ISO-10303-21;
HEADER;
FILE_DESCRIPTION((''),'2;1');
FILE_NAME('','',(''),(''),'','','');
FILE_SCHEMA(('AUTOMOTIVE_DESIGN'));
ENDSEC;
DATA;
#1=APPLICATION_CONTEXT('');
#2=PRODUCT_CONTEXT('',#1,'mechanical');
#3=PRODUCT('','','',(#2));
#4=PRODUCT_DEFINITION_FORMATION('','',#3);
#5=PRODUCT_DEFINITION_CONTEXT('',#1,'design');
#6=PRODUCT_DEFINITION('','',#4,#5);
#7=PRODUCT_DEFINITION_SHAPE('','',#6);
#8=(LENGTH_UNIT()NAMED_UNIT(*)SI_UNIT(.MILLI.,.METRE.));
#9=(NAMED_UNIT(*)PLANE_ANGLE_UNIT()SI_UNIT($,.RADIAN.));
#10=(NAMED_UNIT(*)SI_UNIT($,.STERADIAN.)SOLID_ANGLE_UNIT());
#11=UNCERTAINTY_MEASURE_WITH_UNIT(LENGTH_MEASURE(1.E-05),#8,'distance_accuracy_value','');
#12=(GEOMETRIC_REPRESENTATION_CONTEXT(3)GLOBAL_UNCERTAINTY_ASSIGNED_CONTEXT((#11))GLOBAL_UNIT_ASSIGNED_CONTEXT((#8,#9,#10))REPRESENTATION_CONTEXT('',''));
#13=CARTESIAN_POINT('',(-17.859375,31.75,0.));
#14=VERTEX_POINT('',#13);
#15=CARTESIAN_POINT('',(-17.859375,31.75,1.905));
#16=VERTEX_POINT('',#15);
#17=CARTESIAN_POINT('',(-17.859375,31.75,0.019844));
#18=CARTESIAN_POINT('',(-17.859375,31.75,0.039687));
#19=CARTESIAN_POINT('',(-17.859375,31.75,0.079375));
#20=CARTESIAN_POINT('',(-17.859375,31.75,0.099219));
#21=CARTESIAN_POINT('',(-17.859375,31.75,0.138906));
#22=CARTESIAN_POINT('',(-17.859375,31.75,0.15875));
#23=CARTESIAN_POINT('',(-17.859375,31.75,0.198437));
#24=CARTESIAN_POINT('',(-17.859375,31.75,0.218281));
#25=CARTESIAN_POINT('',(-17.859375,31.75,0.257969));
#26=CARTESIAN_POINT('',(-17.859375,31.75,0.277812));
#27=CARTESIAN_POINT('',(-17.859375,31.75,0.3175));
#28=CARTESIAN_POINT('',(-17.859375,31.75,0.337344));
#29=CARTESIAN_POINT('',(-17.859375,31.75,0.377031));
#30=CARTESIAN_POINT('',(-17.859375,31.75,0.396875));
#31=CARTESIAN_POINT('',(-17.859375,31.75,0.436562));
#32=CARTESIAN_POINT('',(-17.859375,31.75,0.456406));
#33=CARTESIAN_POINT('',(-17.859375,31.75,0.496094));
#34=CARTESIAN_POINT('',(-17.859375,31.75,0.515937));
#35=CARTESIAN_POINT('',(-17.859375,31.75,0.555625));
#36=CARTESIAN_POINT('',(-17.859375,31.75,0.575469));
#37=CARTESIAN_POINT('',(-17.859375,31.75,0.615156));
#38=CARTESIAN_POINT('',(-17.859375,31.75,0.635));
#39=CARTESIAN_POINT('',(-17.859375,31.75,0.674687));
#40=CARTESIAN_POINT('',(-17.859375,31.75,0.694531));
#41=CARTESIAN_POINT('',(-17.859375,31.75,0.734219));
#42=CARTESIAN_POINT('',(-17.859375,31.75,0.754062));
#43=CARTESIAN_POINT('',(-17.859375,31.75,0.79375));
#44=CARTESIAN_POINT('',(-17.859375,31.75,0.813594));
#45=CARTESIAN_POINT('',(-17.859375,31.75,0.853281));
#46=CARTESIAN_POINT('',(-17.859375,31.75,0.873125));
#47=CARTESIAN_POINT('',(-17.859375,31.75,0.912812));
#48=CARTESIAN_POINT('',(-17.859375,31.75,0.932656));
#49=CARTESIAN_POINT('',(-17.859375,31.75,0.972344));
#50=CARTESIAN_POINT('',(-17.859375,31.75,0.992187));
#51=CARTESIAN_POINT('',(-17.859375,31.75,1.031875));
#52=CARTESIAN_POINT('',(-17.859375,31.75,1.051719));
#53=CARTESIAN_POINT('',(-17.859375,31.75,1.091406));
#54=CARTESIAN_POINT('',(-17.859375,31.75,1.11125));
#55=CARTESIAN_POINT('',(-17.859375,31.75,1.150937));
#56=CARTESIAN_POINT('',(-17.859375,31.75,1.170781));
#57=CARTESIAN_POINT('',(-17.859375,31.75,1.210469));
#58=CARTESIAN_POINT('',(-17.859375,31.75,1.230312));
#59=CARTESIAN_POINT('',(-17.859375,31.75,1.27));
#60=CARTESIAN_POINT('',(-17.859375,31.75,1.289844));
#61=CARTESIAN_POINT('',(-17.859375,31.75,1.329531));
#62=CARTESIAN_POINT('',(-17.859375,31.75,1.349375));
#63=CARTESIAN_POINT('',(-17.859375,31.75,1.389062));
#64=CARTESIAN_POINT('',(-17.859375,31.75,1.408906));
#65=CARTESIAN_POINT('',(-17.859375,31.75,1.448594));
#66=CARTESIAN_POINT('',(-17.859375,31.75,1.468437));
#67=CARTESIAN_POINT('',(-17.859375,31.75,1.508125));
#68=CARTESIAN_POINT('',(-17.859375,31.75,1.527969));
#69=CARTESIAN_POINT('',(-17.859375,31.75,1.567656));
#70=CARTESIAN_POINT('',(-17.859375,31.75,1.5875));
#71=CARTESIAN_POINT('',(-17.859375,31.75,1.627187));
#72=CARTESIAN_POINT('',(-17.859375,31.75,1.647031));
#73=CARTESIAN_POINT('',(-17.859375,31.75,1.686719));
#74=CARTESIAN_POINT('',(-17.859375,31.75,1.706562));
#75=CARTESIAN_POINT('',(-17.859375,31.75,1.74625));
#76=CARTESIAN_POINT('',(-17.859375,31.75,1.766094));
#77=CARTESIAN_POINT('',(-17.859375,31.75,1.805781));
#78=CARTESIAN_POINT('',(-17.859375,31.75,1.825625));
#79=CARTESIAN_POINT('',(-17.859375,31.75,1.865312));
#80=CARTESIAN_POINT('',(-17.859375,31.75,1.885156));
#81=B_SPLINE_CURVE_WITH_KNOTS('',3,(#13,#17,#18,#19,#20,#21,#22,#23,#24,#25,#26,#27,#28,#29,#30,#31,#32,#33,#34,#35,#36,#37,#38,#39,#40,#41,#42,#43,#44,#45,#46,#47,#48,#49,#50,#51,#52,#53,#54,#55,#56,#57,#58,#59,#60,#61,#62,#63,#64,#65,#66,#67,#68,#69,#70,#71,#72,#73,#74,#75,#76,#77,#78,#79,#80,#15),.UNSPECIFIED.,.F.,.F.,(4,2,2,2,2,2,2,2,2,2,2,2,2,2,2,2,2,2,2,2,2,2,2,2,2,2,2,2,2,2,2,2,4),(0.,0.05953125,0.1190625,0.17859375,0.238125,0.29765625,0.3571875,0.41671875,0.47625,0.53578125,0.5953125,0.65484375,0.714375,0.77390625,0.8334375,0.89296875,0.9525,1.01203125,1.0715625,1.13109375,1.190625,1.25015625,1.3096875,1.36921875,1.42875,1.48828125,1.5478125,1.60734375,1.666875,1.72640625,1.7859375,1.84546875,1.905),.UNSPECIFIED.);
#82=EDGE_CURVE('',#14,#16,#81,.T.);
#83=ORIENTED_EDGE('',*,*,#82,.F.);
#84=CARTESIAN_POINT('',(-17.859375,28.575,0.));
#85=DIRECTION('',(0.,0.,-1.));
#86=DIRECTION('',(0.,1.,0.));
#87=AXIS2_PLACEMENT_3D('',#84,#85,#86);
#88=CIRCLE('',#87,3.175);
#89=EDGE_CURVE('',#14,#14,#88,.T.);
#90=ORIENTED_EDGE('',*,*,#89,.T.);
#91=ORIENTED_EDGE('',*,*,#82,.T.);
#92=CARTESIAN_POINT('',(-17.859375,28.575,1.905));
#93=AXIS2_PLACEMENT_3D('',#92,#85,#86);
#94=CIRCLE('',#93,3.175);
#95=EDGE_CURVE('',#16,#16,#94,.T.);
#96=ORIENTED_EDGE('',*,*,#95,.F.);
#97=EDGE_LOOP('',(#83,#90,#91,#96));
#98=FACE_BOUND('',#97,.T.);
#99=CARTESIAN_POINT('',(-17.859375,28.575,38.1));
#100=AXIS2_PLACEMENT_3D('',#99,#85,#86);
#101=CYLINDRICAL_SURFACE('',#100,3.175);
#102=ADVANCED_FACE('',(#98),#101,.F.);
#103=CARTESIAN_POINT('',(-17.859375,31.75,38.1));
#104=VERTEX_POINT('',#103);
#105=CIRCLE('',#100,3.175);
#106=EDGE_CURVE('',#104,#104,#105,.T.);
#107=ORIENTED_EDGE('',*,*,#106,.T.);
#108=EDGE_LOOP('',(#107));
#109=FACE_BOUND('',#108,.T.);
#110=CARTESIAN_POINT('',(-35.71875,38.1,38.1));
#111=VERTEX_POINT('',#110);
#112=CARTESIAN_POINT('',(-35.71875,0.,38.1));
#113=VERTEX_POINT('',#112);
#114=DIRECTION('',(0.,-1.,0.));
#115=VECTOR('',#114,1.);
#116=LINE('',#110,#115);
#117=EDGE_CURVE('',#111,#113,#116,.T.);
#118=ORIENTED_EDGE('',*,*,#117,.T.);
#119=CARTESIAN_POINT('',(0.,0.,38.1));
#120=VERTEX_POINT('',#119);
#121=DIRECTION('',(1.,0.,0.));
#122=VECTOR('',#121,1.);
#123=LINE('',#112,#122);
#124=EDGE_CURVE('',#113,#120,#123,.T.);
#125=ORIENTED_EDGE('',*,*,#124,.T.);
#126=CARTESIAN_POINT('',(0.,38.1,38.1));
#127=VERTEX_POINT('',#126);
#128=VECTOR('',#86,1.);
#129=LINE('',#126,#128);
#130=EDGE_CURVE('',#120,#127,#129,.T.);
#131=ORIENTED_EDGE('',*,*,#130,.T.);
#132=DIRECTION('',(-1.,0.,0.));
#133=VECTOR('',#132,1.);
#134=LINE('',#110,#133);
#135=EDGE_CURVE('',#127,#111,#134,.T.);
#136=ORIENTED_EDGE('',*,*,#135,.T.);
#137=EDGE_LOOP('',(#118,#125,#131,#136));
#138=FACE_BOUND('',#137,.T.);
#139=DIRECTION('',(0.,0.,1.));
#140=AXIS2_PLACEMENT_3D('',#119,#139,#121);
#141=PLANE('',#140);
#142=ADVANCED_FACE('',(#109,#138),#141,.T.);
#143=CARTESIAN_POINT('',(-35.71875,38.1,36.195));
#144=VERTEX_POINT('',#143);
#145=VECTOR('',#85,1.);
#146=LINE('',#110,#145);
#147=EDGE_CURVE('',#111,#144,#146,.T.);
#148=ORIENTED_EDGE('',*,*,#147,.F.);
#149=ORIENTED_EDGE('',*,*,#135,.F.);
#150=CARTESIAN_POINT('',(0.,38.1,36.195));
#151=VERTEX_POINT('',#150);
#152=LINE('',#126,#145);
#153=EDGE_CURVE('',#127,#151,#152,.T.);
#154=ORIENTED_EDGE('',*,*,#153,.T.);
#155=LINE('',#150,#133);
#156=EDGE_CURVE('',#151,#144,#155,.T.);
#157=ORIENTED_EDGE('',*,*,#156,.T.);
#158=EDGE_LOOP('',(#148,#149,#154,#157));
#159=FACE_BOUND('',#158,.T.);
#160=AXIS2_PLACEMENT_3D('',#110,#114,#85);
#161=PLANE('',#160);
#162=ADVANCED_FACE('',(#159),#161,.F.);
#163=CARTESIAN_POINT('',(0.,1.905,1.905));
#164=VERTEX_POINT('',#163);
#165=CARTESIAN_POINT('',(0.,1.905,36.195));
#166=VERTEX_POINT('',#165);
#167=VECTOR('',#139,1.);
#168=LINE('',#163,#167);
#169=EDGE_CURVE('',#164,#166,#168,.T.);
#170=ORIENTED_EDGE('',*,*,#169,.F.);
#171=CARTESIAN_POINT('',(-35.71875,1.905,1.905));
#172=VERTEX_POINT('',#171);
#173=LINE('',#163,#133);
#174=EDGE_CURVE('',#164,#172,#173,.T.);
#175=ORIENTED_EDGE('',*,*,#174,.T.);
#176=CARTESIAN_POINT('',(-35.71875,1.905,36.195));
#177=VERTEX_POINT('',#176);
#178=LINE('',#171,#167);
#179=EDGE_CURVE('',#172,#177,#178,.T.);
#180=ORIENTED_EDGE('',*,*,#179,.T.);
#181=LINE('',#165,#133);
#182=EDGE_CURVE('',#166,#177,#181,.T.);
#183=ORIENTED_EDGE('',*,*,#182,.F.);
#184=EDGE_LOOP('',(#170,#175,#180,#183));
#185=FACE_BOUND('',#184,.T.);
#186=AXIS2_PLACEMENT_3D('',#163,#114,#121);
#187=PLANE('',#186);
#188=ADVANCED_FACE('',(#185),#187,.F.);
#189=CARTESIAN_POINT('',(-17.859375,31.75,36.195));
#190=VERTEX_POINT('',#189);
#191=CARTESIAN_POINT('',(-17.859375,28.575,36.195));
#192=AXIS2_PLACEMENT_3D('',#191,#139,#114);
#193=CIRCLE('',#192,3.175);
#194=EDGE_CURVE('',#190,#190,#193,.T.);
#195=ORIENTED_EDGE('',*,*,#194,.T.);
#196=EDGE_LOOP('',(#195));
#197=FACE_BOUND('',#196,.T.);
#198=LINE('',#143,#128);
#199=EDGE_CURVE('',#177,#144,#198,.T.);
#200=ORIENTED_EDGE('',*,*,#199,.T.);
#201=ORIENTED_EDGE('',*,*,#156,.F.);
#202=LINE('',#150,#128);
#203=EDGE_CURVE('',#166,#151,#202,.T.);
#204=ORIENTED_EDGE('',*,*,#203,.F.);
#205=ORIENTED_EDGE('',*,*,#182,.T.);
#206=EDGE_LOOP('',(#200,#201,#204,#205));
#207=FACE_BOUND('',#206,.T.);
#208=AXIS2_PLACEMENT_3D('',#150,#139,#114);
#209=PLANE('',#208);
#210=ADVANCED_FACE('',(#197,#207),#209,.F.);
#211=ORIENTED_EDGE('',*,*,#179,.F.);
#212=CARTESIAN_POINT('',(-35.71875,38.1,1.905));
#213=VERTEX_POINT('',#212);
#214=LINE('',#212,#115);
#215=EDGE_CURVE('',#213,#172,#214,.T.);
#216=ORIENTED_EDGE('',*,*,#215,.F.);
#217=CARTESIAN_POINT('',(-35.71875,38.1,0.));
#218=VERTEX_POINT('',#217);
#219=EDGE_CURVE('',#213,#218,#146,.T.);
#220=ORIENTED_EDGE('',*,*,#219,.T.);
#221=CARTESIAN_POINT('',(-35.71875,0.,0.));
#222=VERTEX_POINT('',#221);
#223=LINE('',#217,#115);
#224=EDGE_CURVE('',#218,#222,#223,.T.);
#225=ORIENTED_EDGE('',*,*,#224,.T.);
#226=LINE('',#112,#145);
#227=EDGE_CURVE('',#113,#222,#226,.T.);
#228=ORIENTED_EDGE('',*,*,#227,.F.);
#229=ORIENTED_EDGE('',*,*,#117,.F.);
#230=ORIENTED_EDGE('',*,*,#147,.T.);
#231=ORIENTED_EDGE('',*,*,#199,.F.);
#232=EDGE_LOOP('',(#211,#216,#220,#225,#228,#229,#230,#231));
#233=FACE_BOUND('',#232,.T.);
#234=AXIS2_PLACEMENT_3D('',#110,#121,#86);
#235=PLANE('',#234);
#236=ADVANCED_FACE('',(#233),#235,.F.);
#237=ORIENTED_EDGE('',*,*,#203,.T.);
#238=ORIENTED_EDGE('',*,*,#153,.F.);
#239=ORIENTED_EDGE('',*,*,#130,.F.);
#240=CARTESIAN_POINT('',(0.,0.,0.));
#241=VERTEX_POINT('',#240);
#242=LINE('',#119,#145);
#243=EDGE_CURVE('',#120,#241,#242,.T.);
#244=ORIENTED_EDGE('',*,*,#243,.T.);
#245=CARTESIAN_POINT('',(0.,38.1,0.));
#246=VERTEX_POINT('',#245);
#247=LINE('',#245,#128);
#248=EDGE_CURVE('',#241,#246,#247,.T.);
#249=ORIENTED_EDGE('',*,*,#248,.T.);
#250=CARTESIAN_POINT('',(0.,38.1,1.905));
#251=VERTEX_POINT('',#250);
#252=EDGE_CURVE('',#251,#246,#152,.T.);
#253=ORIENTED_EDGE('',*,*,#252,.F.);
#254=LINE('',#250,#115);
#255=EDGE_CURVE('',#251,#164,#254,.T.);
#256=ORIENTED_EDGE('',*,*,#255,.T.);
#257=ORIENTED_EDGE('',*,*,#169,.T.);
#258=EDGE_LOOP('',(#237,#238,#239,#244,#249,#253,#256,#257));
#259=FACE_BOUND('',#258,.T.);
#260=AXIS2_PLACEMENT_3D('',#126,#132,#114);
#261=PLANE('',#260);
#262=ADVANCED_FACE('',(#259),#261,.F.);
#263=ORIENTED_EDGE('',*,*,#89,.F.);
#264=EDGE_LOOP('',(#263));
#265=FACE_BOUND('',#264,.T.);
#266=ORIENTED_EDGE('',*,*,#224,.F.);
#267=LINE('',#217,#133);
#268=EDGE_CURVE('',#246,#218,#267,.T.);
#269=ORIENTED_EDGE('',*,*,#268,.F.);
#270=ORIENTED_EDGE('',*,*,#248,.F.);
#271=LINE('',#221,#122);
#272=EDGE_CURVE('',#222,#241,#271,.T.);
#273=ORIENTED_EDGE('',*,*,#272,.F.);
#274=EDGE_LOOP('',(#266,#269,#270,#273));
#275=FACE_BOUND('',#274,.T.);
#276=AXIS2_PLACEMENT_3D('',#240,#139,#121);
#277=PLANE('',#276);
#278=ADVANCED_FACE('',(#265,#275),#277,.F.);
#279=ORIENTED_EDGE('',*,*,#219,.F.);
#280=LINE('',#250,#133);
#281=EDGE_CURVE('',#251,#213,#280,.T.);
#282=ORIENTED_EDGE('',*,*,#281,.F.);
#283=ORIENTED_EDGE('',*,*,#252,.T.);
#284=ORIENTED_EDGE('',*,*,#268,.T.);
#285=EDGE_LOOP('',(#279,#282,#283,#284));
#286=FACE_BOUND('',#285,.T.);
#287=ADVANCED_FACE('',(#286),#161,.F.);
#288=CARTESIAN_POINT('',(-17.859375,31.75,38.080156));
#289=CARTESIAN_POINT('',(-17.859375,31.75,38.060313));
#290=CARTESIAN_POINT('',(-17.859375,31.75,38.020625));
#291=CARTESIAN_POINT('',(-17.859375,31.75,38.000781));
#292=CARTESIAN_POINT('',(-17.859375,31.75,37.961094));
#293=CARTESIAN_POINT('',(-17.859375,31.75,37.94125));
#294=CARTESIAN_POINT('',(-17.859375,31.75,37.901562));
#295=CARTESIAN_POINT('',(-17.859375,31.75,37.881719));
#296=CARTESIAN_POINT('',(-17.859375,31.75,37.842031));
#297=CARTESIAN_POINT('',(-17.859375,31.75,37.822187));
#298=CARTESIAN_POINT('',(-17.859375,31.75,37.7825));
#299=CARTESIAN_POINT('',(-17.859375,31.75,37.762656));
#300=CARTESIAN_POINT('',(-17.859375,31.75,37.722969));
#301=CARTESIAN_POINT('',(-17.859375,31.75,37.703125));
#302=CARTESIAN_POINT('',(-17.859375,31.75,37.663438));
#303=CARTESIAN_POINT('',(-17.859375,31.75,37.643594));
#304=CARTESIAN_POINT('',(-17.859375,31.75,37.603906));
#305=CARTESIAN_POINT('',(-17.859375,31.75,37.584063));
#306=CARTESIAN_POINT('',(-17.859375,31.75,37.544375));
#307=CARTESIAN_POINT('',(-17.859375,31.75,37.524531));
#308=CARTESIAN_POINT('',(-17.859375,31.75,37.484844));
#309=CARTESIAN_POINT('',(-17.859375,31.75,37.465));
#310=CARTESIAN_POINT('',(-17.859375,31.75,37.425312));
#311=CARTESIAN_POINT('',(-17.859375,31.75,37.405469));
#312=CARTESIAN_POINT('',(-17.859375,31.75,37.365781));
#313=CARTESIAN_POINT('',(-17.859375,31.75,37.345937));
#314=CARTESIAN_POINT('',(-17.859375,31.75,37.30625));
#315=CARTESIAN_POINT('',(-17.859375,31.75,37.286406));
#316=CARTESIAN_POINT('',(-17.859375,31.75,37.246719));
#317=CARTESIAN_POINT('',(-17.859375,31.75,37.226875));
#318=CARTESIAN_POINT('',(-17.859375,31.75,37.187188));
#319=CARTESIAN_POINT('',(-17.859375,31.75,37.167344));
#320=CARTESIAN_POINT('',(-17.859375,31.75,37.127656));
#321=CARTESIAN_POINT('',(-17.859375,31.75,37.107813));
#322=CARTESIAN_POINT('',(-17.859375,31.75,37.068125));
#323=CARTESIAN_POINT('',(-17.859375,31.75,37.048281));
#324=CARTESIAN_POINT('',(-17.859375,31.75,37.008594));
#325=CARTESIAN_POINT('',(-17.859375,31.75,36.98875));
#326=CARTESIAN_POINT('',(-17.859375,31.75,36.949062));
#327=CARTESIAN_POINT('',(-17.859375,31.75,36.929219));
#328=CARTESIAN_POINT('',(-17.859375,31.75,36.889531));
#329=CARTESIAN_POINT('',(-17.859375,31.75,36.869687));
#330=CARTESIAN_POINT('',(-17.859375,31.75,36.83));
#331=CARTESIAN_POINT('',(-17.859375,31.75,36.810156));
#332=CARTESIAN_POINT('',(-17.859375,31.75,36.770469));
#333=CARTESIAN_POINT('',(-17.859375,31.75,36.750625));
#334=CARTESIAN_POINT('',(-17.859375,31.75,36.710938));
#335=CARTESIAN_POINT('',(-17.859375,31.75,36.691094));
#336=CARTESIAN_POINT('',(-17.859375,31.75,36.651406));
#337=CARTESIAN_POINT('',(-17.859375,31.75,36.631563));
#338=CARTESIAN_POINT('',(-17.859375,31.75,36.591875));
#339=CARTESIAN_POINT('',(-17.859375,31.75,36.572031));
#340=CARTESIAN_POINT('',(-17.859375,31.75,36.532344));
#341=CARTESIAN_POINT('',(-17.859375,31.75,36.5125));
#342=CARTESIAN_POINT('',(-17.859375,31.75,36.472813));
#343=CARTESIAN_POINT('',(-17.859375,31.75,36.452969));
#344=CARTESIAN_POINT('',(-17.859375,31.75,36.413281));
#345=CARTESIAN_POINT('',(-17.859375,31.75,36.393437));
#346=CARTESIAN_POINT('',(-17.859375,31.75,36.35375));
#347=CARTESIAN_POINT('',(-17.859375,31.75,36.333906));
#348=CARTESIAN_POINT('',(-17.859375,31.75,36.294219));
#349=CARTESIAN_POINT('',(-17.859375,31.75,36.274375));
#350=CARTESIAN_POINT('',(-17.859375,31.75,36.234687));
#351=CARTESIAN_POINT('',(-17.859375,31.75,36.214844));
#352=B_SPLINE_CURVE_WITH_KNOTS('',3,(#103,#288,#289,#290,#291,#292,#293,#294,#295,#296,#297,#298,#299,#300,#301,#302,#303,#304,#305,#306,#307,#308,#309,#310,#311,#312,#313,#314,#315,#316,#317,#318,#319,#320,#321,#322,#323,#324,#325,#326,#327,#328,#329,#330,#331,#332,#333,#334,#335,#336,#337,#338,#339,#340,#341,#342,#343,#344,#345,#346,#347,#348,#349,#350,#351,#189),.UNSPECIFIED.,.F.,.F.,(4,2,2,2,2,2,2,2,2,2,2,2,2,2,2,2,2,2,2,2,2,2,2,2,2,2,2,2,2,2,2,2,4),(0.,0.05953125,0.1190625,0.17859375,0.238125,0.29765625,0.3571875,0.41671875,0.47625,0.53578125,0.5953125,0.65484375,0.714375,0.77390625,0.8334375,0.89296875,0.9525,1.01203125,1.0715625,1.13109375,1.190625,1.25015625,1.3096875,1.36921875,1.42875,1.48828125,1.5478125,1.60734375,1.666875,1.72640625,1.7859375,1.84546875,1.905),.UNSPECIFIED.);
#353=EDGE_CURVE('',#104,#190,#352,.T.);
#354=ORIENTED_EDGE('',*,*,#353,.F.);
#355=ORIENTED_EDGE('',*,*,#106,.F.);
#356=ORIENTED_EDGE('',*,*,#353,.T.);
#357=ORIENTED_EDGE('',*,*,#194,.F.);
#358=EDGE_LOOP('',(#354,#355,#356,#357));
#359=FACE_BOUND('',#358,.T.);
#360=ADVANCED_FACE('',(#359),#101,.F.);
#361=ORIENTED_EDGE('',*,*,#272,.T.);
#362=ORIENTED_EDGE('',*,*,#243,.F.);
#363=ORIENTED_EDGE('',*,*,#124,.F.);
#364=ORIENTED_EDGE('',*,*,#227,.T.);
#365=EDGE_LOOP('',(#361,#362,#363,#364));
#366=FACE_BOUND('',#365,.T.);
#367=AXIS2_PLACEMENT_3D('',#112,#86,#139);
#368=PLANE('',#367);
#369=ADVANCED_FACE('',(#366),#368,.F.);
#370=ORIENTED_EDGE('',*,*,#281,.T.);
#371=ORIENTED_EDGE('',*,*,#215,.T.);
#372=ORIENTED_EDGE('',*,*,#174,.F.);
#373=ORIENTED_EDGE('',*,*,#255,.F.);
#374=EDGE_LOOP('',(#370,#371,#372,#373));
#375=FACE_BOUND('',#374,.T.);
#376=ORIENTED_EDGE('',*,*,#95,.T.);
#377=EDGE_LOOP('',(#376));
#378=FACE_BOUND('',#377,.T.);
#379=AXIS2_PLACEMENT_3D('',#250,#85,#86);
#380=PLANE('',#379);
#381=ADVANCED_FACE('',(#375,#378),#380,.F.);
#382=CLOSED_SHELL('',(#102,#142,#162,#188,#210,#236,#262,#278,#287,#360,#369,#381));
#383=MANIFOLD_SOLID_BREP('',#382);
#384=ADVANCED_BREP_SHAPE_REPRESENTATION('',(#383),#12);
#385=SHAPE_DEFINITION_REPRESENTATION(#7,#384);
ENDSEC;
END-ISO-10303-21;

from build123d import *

# Parameters (mm, degrees)
SKETCH1_W               = 35.71875
SKETCH1_H               = 38.1
BOSS_EXTRUDE1_DEPTH     = 38.1
SKETCH2_W               = 34.29
SKETCH2_H               = 36.195
CUT_EXTRUDE1_DEPTH      = 65.645565212
CUT_EXTRUDE2_DEPTH      = 64.541459903
CUT_EXTRUDE2_DEPTH_BACK = 64.541459903
SKETCH3_R               = 3.175


with BuildPart() as part:
    # Sketch1 → Boss-Extrude1 (new body)
    with BuildSketch(Plane.XY):
        with Locations((-17.859375, 19.05)):
            Rectangle(SKETCH1_W, SKETCH1_H)
    extrude(amount=BOSS_EXTRUDE1_DEPTH)

    # Sketch2 → Cut-Extrude1 (cut, through all)
    with BuildSketch(Plane.ZY.offset(35.71875)):
        with Locations((19.05, 20.0025)):
            Rectangle(SKETCH2_W, SKETCH2_H)
    extrude(amount=-CUT_EXTRUDE1_DEPTH, mode=Mode.SUBTRACT)

    # Sketch3 → Cut-Extrude2 (cut, two sides: drawn at the far end of the back side and taken through both)
    with BuildSketch(Plane(origin=(0, 0, 36.195), x_dir=(-1, 0, 0), z_dir=(0, 0, -1)).offset(-CUT_EXTRUDE2_DEPTH_BACK)):
        with Locations(Location((17.859375, 28.575, 0), (0, 0, 90))):
            Circle(SKETCH3_R)
    extrude(amount=CUT_EXTRUDE2_DEPTH + CUT_EXTRUDE2_DEPTH_BACK, mode=Mode.SUBTRACT)


solid = part.part
